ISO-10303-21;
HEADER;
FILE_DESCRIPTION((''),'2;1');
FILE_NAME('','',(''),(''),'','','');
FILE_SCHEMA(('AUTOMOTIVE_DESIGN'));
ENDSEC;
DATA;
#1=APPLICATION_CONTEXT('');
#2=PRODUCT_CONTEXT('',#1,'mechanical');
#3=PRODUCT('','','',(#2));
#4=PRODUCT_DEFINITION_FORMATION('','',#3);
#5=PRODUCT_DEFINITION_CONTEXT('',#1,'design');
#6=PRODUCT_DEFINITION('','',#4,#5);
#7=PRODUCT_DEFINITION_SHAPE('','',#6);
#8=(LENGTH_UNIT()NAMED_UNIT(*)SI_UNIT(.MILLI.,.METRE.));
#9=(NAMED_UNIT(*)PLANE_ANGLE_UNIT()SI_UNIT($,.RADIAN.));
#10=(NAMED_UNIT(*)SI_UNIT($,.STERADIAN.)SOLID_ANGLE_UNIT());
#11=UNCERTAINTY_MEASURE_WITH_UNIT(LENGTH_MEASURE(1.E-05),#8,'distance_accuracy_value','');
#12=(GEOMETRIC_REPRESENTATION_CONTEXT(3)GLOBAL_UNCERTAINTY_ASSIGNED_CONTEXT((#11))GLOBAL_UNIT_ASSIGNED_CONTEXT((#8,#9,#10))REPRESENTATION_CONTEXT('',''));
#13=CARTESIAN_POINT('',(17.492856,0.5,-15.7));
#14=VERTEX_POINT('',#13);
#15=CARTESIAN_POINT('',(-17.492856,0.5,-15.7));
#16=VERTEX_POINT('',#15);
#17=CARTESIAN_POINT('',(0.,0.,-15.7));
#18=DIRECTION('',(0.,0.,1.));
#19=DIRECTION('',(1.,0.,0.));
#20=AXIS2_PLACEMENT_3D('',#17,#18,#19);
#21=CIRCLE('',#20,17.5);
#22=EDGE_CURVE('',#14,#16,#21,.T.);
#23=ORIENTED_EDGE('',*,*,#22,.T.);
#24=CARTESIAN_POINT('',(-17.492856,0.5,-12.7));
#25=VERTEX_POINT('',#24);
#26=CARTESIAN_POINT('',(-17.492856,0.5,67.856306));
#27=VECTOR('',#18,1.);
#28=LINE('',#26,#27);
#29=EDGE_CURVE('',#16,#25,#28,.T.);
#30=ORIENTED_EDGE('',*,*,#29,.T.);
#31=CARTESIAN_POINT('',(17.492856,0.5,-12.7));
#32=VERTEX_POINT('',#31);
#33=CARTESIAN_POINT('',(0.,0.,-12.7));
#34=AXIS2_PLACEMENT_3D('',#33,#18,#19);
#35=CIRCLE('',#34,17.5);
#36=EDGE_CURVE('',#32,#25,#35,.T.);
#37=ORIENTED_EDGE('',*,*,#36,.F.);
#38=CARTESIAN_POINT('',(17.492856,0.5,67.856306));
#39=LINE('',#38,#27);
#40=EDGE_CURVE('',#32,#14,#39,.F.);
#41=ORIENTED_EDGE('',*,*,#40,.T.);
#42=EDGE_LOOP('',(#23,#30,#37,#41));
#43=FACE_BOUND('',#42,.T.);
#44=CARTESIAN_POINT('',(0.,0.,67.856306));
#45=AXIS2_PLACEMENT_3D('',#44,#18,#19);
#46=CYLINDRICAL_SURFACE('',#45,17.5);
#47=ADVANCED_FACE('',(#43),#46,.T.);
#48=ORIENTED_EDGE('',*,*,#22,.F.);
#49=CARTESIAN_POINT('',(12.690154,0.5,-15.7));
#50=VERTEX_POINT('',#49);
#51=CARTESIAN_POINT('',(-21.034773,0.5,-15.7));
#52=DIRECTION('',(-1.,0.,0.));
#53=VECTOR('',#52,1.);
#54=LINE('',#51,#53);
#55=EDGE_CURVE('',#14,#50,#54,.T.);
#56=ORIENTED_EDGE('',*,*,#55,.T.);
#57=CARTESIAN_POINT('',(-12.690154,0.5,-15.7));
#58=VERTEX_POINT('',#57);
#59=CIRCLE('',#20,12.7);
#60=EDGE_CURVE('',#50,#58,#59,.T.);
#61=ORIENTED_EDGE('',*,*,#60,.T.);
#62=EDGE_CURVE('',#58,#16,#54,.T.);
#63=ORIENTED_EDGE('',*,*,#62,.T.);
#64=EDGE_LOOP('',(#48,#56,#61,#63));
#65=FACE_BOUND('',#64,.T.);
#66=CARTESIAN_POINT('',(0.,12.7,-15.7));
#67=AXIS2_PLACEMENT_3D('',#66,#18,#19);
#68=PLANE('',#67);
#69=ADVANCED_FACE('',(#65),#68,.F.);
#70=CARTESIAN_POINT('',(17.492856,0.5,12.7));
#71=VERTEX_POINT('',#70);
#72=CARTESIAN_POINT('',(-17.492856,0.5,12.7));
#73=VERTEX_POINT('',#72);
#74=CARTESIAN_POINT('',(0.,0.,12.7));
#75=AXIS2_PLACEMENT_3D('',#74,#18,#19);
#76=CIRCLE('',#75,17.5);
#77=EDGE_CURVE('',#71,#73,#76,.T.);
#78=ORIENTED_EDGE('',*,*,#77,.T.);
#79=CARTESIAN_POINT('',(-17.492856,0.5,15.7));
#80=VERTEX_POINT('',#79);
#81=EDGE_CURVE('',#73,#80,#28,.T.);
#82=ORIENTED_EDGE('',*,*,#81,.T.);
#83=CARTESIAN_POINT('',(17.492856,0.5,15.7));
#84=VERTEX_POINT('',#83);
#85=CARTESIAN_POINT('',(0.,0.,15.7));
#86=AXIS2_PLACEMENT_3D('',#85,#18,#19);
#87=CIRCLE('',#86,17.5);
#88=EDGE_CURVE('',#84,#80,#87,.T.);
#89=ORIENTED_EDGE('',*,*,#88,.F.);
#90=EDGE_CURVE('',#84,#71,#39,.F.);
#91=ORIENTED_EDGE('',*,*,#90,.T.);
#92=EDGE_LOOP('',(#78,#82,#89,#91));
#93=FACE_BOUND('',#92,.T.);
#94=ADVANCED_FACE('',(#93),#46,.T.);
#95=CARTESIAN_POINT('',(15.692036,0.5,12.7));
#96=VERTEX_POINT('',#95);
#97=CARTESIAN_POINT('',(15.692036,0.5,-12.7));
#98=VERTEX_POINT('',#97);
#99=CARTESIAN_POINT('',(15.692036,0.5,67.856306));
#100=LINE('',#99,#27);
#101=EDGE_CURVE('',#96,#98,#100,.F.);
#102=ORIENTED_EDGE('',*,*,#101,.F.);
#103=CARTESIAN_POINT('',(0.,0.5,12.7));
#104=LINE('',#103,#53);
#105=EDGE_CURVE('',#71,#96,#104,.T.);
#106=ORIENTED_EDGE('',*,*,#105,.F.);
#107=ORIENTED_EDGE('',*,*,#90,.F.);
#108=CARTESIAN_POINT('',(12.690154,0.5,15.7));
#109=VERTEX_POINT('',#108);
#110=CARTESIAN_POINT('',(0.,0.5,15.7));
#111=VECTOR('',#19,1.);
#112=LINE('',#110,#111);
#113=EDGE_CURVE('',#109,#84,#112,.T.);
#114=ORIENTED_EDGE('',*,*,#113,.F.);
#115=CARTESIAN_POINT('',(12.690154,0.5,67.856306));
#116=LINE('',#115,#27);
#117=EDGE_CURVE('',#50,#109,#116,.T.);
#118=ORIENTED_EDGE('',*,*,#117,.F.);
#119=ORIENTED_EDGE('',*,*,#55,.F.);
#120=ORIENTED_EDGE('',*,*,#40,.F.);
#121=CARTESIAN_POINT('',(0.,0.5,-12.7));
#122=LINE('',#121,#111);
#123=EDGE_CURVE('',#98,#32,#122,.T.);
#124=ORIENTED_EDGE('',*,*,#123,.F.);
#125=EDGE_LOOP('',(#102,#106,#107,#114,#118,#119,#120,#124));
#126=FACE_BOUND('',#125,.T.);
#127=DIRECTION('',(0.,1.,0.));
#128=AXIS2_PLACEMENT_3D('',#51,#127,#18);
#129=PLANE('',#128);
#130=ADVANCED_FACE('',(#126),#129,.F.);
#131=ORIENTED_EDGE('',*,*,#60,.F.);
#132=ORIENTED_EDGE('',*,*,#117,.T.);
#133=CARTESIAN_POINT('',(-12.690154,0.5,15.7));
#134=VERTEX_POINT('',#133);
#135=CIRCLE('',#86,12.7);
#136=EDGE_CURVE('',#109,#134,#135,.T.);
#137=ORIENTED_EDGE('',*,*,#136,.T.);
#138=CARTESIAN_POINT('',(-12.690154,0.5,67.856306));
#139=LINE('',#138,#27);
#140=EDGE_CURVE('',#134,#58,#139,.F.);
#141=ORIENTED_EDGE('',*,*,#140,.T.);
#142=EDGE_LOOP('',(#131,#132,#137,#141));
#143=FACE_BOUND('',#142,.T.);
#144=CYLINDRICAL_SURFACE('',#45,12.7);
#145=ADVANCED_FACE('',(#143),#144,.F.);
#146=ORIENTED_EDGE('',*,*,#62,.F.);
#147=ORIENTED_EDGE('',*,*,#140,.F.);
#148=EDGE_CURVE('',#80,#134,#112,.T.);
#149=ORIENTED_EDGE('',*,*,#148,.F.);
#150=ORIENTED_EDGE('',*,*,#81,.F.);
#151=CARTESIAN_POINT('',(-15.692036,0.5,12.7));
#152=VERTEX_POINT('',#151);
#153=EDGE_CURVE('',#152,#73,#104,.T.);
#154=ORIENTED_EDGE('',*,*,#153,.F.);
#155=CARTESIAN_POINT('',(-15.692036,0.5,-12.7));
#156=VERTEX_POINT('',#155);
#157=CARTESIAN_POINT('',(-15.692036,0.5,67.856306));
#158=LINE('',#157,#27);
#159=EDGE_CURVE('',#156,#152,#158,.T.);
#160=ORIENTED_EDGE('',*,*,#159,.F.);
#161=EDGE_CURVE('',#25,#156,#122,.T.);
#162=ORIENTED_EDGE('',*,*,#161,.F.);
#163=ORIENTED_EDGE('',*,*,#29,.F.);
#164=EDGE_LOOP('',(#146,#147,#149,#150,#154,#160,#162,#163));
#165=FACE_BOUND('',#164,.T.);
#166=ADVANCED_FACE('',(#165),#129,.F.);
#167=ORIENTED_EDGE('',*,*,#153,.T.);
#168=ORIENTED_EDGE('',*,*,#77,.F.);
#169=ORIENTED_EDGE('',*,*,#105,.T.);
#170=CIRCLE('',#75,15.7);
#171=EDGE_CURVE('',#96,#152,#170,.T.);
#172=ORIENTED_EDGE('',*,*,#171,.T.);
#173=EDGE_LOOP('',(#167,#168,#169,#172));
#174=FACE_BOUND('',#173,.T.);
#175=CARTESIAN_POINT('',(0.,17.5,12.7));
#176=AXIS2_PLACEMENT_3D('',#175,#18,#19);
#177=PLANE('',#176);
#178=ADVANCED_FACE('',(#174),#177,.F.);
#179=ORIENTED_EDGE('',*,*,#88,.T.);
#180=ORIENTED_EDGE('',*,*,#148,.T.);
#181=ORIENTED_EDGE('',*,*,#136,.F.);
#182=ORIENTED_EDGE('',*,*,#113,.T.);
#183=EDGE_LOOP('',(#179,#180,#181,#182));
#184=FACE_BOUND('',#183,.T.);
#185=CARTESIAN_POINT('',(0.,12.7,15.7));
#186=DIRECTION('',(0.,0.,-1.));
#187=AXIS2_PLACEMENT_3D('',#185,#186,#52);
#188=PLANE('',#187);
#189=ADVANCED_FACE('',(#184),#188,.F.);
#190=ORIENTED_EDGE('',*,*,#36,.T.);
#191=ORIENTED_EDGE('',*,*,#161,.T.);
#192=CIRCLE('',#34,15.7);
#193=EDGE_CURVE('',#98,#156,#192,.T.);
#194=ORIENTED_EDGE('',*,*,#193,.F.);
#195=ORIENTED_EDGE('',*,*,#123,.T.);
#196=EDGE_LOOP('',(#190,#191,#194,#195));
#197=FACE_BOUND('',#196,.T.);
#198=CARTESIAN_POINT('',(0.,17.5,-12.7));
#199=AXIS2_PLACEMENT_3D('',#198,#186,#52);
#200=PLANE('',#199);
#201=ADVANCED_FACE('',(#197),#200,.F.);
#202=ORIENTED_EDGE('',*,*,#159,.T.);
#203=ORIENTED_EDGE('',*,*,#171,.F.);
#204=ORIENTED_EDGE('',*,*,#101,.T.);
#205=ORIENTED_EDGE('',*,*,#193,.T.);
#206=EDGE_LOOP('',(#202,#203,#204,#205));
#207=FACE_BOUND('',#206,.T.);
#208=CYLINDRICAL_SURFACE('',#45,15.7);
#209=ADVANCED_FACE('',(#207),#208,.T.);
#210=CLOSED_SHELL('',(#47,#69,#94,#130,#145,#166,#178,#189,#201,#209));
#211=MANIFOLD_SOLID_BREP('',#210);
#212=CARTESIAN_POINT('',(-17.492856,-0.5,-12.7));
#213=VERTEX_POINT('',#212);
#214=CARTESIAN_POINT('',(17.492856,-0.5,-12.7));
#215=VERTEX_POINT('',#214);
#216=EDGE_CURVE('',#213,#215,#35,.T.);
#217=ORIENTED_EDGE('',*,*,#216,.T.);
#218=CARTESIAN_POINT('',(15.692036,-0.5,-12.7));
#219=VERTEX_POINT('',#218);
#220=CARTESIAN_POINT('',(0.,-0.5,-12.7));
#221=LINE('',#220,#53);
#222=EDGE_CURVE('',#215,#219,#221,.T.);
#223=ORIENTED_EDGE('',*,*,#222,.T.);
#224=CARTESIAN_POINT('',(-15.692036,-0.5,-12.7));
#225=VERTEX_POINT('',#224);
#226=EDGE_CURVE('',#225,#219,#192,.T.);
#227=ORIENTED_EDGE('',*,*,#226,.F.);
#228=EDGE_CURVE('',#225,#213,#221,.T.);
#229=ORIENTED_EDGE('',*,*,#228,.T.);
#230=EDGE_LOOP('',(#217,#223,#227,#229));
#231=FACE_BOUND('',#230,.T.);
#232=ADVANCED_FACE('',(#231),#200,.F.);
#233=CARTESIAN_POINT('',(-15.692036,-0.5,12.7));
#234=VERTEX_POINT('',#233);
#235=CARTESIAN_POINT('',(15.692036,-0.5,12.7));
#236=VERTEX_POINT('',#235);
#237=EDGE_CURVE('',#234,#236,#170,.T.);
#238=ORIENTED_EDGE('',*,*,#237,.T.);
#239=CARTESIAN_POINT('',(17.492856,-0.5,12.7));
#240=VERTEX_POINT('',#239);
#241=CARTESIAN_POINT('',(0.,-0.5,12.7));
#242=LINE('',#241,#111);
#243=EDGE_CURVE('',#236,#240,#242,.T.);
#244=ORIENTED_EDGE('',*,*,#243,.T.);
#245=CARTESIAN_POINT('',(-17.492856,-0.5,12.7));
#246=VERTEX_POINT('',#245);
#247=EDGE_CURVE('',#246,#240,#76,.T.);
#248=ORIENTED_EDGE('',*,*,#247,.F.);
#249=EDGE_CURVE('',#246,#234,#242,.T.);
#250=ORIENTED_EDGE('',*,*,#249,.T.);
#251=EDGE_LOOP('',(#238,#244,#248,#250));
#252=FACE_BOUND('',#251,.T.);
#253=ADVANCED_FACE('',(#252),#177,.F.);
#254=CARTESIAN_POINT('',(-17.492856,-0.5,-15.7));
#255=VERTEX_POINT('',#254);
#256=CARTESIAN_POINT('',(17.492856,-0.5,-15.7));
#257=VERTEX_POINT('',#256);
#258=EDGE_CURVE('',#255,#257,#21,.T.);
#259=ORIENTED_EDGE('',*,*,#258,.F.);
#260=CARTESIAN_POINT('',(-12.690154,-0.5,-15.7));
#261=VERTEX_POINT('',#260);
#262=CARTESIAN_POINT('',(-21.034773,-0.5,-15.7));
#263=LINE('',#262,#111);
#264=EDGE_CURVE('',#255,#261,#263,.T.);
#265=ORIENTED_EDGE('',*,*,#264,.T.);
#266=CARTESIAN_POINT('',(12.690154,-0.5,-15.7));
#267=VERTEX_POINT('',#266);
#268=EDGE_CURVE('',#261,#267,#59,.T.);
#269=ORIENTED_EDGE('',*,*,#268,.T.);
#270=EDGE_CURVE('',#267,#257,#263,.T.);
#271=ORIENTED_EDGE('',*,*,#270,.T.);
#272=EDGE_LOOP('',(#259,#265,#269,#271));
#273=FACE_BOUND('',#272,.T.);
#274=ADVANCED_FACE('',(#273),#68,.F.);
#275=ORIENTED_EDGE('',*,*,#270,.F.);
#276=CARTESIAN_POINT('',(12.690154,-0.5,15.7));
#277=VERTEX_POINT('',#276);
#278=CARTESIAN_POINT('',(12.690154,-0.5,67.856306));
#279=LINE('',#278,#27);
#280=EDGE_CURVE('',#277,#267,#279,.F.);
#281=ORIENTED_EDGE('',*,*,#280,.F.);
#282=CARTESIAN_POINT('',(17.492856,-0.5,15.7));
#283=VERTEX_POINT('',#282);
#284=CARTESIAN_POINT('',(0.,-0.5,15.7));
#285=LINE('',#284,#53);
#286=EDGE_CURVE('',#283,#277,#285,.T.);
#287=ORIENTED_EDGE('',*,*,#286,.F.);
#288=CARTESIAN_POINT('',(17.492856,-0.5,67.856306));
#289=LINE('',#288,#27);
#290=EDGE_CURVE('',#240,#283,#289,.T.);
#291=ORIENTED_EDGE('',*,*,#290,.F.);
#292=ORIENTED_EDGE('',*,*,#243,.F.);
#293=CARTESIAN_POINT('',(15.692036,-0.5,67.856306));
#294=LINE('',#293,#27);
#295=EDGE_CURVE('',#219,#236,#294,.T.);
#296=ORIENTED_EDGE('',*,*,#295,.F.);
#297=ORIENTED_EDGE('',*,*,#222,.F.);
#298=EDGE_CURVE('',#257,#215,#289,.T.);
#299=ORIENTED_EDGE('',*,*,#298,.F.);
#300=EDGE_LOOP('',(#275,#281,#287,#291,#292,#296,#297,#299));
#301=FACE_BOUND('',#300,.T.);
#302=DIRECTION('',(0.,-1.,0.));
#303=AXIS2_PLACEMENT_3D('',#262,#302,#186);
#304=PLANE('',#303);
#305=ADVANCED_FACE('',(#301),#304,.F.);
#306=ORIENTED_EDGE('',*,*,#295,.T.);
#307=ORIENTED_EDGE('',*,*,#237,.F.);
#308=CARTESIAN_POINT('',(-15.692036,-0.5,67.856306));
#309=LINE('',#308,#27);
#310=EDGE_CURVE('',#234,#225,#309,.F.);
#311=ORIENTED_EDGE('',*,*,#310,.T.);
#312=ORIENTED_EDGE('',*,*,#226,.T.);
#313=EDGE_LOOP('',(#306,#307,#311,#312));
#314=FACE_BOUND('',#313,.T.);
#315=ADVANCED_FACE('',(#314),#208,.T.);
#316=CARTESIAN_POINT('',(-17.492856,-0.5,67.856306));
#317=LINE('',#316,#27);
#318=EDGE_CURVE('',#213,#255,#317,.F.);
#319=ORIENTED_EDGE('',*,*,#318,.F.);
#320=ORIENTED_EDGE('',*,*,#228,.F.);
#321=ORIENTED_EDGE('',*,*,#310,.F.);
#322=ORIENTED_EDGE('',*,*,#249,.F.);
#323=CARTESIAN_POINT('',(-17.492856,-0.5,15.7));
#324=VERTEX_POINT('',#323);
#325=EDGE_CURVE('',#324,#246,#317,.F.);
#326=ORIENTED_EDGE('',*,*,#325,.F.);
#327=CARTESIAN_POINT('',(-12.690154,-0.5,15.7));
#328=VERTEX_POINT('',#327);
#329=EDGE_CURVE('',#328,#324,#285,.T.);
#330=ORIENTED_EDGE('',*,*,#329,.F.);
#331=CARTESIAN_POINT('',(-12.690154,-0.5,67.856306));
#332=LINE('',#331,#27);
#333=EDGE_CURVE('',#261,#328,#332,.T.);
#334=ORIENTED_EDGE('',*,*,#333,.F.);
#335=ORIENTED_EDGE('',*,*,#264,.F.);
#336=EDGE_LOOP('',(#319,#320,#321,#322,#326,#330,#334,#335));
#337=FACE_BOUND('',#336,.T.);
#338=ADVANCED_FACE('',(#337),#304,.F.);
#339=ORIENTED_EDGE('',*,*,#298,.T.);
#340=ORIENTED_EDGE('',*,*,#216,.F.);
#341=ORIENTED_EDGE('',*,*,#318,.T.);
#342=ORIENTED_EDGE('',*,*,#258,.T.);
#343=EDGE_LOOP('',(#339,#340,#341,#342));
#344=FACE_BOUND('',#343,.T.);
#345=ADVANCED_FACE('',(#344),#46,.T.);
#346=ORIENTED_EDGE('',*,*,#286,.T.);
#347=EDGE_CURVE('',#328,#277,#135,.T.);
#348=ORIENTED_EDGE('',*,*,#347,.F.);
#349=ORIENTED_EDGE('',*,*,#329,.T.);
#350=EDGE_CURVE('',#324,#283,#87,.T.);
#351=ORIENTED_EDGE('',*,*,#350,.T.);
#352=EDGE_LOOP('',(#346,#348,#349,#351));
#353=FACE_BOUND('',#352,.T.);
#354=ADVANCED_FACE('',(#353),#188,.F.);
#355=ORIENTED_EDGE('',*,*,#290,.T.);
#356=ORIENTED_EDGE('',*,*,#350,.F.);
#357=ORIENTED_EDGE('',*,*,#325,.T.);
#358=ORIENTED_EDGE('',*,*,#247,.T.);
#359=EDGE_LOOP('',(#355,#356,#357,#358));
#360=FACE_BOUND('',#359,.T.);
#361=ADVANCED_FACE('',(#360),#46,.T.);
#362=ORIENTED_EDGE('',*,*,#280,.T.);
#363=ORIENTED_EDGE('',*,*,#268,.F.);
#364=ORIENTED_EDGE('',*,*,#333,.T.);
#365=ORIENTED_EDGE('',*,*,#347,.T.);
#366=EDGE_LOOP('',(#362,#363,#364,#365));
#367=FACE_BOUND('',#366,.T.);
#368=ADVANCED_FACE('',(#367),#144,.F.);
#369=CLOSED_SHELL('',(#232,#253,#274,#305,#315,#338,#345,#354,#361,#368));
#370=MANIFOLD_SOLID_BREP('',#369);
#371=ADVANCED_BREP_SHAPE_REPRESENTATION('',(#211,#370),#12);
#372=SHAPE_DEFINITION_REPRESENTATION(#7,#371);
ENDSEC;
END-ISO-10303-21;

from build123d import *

# Parameters (mm, degrees)
SKETCH2_W               = 42.06954519
SKETCH2_H               = 1
CUT_EXTRUDE1_DEPTH      = 16.7
CUT_EXTRUDE1_DEPTH_BACK = 16.7


with BuildPart() as part:
    # Sketch1 → Revolve1 (revolve)
    with BuildSketch(Plane(origin=(0, 0, 0), x_dir=(0, 0, -1), z_dir=(1, 0, 0))):
        Polygon((-15.7, 12.7), (-15.7, 17.5), (-12.7, 17.5), (-12.7, 15.7), (12.7, 15.7), (12.7, 17.5), (15.7, 17.5), (15.7, 12.7), align=None)
    revolve(axis=Axis((0, 0, 67.856305953), (0, 0, -1)))

    # Sketch2 → Cut-Extrude1 (cut, two sides)
    with BuildSketch(Plane.XY) as cut_extrude1_sk:
        Rectangle(SKETCH2_W, SKETCH2_H)
    extrude(amount=CUT_EXTRUDE1_DEPTH, mode=Mode.SUBTRACT)
    extrude(cut_extrude1_sk.sketch, amount=-CUT_EXTRUDE1_DEPTH_BACK, mode=Mode.SUBTRACT)


solid = part.part
